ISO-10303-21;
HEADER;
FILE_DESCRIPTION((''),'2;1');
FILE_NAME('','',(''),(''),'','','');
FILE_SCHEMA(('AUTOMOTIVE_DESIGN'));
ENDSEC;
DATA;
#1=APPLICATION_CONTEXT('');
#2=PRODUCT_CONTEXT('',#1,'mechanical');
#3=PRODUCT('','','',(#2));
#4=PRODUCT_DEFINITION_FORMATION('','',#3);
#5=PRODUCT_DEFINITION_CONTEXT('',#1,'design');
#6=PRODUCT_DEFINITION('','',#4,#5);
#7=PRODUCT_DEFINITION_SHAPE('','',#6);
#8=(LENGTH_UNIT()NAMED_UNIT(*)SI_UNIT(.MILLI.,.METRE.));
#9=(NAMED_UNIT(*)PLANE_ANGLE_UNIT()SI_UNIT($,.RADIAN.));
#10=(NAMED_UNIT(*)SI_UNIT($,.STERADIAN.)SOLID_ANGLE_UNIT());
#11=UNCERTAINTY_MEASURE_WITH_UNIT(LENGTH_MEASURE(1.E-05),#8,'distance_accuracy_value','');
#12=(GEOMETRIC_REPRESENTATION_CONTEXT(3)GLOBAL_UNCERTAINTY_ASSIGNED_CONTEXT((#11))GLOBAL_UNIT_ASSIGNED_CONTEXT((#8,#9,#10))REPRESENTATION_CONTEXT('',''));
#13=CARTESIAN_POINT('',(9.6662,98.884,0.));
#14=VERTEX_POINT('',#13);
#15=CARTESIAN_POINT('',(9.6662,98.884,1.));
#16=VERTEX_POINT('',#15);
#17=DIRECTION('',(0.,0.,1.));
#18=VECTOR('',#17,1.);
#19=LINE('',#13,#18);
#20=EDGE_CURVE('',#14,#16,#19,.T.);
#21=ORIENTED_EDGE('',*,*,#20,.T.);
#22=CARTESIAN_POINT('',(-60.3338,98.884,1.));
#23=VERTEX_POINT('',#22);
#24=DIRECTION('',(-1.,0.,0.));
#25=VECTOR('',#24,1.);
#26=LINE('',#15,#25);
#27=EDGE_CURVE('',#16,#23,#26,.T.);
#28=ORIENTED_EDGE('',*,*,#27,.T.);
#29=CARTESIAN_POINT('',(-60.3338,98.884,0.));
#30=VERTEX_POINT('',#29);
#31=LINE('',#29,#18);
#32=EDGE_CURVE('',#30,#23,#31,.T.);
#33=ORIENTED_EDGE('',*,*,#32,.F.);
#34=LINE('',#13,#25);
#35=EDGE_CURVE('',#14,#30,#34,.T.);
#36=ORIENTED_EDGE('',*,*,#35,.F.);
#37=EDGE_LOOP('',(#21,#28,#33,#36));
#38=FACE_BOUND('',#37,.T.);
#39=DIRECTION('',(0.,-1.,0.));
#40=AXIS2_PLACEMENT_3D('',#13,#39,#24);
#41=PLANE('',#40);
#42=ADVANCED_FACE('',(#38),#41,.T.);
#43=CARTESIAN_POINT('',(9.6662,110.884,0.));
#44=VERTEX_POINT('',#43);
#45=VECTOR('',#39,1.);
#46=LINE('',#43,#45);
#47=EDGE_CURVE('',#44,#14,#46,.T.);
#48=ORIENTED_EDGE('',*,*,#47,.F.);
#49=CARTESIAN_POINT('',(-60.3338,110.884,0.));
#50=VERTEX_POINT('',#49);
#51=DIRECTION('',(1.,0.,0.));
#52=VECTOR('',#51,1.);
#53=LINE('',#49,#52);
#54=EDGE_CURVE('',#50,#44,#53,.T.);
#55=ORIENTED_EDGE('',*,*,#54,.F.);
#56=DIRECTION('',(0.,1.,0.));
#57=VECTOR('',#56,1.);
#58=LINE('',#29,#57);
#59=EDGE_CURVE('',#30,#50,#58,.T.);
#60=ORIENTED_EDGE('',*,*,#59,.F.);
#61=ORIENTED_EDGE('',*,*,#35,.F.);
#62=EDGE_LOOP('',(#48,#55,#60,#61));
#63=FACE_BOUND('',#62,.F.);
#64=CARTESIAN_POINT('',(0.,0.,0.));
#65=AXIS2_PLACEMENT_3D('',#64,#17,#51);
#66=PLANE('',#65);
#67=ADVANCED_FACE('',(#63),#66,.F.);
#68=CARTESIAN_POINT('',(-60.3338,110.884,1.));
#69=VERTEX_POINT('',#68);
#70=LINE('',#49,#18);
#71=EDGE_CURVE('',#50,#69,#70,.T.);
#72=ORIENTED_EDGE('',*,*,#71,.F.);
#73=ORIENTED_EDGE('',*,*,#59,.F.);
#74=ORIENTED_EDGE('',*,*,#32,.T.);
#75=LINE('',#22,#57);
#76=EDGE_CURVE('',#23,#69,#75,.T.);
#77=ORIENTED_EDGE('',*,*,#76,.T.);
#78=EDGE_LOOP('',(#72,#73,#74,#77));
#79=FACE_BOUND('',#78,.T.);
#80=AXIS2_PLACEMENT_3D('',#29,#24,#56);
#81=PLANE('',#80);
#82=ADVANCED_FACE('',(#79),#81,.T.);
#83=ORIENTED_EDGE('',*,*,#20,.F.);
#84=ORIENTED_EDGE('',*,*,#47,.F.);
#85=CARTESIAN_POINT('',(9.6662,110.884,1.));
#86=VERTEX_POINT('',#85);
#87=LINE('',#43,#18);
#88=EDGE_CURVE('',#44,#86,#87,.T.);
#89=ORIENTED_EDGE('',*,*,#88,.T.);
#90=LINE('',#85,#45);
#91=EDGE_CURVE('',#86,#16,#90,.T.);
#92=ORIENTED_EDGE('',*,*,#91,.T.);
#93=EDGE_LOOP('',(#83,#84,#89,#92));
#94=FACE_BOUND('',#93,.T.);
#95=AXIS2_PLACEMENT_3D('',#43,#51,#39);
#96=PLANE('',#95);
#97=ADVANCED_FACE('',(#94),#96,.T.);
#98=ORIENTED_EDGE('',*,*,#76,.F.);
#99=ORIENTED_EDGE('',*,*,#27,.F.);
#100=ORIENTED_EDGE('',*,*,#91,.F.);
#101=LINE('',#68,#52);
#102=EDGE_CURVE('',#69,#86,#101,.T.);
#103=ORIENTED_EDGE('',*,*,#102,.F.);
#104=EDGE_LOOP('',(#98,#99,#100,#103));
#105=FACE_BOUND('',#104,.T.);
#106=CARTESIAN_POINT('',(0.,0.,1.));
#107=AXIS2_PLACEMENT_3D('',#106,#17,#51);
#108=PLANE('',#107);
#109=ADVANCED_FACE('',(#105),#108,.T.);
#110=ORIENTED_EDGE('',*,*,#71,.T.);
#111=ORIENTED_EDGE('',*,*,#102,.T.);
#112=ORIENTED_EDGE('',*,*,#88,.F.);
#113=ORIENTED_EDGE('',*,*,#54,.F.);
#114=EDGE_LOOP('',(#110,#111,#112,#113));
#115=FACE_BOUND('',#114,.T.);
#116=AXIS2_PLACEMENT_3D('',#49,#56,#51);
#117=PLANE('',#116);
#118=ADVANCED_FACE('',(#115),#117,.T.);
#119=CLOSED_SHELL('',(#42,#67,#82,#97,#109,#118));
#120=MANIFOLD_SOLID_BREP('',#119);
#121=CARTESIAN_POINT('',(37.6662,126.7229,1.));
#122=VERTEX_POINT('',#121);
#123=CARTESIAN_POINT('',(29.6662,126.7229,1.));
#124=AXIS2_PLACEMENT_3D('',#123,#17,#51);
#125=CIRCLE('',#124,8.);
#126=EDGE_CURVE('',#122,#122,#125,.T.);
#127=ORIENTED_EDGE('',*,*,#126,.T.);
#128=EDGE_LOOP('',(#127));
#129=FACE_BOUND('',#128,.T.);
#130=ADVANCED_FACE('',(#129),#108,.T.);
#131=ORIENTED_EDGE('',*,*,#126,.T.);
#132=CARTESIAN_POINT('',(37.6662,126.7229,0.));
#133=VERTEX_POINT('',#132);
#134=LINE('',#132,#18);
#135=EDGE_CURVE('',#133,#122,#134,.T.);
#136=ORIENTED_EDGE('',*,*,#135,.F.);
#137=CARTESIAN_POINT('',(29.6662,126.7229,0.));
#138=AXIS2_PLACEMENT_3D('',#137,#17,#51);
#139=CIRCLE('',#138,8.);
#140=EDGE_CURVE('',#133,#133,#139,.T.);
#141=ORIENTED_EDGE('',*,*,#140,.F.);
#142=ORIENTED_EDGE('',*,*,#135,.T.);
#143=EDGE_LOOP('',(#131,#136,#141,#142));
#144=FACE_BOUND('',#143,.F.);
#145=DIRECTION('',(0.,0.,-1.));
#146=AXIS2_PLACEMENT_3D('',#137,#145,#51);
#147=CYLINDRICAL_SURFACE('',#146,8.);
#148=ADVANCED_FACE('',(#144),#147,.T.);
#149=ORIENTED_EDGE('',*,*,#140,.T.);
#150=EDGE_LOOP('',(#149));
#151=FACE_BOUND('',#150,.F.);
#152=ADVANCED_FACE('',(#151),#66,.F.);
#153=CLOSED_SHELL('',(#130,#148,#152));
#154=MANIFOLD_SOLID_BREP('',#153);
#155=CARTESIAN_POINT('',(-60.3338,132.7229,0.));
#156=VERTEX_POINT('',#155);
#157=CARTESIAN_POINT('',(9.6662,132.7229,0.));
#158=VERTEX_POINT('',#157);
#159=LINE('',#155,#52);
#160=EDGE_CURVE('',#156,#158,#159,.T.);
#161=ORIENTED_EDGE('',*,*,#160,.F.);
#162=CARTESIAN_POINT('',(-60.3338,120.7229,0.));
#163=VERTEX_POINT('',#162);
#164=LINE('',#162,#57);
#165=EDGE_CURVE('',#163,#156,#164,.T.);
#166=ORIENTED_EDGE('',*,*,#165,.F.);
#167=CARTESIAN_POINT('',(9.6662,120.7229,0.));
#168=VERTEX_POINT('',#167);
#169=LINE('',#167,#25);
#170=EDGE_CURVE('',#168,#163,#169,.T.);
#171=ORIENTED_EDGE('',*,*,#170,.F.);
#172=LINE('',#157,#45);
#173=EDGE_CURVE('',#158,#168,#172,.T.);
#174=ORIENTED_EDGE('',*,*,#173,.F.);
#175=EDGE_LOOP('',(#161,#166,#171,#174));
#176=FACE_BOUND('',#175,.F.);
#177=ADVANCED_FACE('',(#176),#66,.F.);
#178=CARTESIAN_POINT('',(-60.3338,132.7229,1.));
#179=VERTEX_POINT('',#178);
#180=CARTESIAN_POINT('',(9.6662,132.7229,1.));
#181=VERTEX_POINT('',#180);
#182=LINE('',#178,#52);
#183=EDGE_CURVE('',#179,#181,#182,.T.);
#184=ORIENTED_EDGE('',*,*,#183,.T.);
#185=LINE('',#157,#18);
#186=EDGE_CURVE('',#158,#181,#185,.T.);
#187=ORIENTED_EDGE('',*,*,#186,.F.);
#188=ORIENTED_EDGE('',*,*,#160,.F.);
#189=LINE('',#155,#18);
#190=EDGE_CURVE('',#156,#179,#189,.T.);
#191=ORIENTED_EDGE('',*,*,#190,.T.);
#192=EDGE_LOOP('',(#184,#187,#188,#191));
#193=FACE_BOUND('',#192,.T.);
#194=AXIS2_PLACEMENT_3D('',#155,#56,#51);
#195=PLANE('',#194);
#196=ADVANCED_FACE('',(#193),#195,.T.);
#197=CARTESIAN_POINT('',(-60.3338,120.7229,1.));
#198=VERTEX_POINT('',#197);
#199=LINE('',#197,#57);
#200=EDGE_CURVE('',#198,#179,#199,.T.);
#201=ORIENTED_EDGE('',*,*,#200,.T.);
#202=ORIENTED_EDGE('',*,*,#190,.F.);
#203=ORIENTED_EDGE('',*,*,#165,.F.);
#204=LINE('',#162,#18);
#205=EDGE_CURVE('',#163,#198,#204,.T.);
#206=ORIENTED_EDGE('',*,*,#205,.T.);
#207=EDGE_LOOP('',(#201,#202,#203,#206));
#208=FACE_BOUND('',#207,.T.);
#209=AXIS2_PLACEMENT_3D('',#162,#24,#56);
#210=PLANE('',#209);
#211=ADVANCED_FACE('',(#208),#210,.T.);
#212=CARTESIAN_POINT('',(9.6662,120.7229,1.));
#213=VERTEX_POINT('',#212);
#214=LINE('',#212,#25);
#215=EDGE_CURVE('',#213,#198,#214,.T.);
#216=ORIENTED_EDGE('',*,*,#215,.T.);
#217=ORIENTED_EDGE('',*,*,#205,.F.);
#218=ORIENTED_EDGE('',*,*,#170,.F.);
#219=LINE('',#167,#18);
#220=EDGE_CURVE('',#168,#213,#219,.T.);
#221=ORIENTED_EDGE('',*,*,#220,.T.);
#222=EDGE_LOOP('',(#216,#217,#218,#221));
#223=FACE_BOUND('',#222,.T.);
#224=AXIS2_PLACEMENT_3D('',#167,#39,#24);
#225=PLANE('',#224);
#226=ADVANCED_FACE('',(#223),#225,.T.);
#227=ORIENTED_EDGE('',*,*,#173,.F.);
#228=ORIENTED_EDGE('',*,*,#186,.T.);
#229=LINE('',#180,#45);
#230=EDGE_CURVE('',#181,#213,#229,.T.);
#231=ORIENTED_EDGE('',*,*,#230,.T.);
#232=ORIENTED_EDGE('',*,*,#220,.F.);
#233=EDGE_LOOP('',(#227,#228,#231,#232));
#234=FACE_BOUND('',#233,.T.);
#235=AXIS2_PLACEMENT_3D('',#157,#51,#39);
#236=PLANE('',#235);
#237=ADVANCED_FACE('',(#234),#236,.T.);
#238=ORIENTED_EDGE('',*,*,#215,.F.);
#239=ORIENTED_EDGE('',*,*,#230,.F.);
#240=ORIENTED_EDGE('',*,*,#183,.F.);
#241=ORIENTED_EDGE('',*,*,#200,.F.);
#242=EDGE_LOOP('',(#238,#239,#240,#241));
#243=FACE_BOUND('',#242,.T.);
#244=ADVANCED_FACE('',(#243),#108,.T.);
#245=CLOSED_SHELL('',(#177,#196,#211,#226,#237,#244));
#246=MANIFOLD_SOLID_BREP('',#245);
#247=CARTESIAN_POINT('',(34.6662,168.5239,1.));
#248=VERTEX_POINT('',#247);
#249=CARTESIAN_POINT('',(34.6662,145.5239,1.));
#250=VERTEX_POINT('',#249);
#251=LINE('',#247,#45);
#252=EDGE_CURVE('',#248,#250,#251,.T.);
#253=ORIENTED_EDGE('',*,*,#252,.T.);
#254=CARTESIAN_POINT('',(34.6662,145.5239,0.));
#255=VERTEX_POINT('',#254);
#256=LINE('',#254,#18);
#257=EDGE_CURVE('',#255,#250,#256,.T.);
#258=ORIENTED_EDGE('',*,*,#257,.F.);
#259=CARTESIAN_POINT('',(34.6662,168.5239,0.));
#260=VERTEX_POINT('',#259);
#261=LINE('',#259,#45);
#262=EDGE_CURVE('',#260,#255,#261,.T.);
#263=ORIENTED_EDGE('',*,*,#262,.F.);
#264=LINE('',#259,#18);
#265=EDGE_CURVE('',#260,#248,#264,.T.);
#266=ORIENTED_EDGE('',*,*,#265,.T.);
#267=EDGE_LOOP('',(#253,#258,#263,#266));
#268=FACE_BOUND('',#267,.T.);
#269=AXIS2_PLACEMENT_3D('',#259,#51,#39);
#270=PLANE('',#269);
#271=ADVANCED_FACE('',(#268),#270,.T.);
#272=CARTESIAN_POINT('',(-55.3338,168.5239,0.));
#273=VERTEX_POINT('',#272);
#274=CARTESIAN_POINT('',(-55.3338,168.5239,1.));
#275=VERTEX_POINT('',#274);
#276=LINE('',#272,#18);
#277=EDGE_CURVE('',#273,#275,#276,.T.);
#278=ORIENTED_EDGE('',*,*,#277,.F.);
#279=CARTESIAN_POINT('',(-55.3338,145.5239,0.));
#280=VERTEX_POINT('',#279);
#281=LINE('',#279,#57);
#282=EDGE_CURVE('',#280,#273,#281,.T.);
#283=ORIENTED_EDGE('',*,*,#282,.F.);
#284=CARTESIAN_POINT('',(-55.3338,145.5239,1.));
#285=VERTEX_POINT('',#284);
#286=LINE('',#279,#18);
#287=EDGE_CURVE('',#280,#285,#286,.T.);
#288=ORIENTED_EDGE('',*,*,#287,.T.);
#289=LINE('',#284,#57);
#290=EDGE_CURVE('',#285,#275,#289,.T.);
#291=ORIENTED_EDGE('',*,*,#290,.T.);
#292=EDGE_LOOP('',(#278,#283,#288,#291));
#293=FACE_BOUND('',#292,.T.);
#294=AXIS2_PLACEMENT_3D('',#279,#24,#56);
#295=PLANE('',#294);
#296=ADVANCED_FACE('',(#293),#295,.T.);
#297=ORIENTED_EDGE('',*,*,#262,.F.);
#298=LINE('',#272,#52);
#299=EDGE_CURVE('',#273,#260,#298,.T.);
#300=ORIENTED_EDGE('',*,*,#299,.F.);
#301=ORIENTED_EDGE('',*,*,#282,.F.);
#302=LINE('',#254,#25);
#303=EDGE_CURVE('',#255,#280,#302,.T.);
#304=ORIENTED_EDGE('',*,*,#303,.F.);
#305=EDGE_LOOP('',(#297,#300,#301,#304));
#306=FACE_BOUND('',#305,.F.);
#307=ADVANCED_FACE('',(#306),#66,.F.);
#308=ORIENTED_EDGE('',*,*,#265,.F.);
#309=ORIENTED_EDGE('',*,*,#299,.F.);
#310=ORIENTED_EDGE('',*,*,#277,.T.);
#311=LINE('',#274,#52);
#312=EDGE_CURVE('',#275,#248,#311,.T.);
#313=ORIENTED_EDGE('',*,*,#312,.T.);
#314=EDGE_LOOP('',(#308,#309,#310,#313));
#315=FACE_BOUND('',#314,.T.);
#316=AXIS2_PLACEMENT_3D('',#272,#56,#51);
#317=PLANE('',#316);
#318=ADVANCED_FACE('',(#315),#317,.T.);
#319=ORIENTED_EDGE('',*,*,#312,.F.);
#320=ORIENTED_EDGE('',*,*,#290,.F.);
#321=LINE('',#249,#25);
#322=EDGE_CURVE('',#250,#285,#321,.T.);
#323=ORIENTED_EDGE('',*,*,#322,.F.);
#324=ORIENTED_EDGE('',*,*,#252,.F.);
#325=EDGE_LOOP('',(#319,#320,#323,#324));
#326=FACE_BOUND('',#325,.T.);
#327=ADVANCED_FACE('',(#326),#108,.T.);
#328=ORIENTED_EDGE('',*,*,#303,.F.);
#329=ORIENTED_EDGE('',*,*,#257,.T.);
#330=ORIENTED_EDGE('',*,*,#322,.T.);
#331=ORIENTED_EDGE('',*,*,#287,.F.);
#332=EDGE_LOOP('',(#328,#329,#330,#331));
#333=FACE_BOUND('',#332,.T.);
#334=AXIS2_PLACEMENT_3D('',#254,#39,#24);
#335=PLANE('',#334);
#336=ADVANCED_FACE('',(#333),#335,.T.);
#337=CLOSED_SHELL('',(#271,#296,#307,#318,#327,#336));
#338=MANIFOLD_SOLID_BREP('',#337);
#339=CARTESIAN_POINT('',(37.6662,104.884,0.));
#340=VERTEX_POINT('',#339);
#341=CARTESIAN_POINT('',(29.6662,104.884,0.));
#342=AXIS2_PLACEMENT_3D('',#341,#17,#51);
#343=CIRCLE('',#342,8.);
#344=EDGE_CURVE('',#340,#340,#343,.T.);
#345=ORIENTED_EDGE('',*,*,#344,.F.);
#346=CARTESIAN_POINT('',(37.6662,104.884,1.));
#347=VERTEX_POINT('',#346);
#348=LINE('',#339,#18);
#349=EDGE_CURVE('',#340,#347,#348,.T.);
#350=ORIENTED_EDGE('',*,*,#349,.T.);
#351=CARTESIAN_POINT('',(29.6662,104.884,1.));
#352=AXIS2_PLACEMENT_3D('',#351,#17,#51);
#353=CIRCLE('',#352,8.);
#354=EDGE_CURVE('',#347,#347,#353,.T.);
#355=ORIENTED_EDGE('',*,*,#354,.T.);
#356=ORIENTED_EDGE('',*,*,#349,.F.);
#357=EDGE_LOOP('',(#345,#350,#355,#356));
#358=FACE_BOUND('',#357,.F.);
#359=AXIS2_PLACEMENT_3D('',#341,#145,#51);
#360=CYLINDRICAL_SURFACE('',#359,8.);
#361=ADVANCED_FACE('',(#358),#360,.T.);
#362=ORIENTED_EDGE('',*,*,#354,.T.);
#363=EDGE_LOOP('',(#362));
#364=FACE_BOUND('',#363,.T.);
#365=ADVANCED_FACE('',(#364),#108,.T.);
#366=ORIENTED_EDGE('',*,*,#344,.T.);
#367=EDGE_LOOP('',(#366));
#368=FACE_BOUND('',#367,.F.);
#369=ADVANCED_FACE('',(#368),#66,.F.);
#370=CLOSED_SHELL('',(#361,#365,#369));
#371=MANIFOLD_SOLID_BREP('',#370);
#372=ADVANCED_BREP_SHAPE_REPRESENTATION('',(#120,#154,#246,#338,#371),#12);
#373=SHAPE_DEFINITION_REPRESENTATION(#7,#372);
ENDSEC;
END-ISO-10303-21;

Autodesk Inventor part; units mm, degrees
ref_plane "YZ Plane" through (0, 0, 0) normal (1, 0, 0) x (0, 1, 0)
ref_plane "XZ Plane" through (0, 0, 0) normal (0, 1, 0) x (-1, 0, 0)
ref_plane "XY Plane" through (0, 0, 0) normal (0, 0, 1) x (1, 0, 0)
ref_plane "Work Plane1" through (0, 0, 0) normal (0, 0, 1) x (1, 0, 0)
sketch "Sketch1" plane through (0, 0, 0) normal (0, 0, 1) x (1, 0, 0)
  line L0 (-60.3338, 132.7229) -> (9.6662, 132.7229)
  line L1 (9.6662, 132.7229) -> (9.6662, 120.7229)
  line L2 (9.6662, 120.7229) -> (-60.3338, 120.7229)
  line L3 (-60.3338, 120.7229) -> (-60.3338, 132.7229)
  line L4 (-60.3338, 110.884) -> (9.6662, 110.884)
  line L5 (9.6662, 110.884) -> (9.6662, 98.884)
  line L6 (9.6662, 98.884) -> (-60.3338, 98.884)
  line L7 (-60.3338, 98.884) -> (-60.3338, 110.884)
  circle A0 centre (29.6662, 126.7229) radius 8
  circle A1 centre (29.6662, 126.7229) radius 10 construction
  circle A2 centre (29.6662, 104.884) radius 8
  circle A3 centre (29.6662, 104.884) radius 10 construction
  line L8 (-55.3338, 168.5239) -> (34.6662, 168.5239)
  line L9 (34.6662, 168.5239) -> (34.6662, 145.5239)
  line L10 (34.6662, 145.5239) -> (-55.3338, 145.5239)
  line L11 (-55.3338, 145.5239) -> (-55.3338, 168.5239)
  point P0 (0, 0)
  point P1 (9.6662, 104.884)
  point P2 (9.6662, 126.7229)
  dimension "d0" = 70
  dimension "d1" = 12
  dimension "d2" = 70
  dimension "d3" = 12
  dimension "d4" = 16
  dimension "d5" = 20
  dimension "d8" = 20
  dimension "d11" = 23
  dimension "d12" = 90
  dimension "d13" = 5
extrude "Extrusion1" add sketch "Sketch1" along normal blind 1
sketch "Sketch2" plane through (0, 0, 1) normal (0, 0, 1) x (1, 0, 0)
  line L0 (-42.3338, 167.5239) -> (21.8013, 167.5239) construction
  line L1 (21.8013, 167.5239) -> (21.8013, 146.5239) construction
  line L2 (21.8013, 146.5239) -> (-42.3338, 146.5239) construction
  line L3 (-42.3338, 146.5239) -> (-42.3338, 167.5239) construction
  line L4 (-55.3338, 145.5239) -> (34.6662, 145.5239) projected
  line L5 (34.6662, 168.5239) -> (-55.3338, 168.5239) projected
  line L6 (-55.3338, 168.5239) -> (-55.3338, 145.5239) projected
  point P0 (0, 0)
  dimension "d40" = 1
  dimension "d41" = 1
  dimension "d42" = 13
decal "Decal1"
sketch "Sketch3" plane through (0, 0, 1) normal (0, 0, 1) x (1, 0, 0)
  line L0 (-50.3338, 110.184) -> (-0.2783, 110.184) construction
  line L1 (-0.2783, 110.184) -> (-0.2783, 99.584) construction
  line L2 (-0.2783, 99.584) -> (-50.3338, 99.584) construction
  line L3 (-50.3338, 99.584) -> (-50.3338, 110.184) construction
  line L4 (9.6662, 132.7229) -> (-60.3338, 132.7229) projected
  line L5 (-60.3338, 120.7229) -> (9.6662, 120.7229) projected
  line L6 (-60.3338, 132.7229) -> (-60.3338, 120.7229) projected
  line L7 (-60.3338, 98.884) -> (9.6662, 98.884) projected
  line L8 (-60.3338, 110.884) -> (-60.3338, 98.884) projected
  line L9 (9.6662, 110.884) -> (-60.3338, 110.884) projected
  point P0 (0, 0)
  dimension "d58" = 0.7
  dimension "d59" = 10
  dimension "d60" = 0.7
decal "Decal2"
sketch "Sketch5" plane through (0, 0, 1) normal (0, 0, 1) x (1, 0, 0)
  line L0 (-50.3338, 132.0229) -> (-10.024, 132.0229) construction
  line L1 (-10.024, 132.0229) -> (-10.024, 121.4229) construction
  line L2 (-10.024, 121.4229) -> (-50.3338, 121.4229) construction
  line L3 (-50.3338, 121.4229) -> (-50.3338, 132.0229) construction
  line L4 (9.6662, 132.7229) -> (-60.3338, 132.7229) projected
  line L5 (-60.3338, 120.7229) -> (9.6662, 120.7229) projected
  line L6 (-60.3338, 132.7229) -> (-60.3338, 120.7229) projected
  point P0 (0, 0)
  dimension "d62" = 0.7
  dimension "d65" = 0.7
  dimension "d66" = 10
decal "Decal3"
properties part number "float-indicators"
